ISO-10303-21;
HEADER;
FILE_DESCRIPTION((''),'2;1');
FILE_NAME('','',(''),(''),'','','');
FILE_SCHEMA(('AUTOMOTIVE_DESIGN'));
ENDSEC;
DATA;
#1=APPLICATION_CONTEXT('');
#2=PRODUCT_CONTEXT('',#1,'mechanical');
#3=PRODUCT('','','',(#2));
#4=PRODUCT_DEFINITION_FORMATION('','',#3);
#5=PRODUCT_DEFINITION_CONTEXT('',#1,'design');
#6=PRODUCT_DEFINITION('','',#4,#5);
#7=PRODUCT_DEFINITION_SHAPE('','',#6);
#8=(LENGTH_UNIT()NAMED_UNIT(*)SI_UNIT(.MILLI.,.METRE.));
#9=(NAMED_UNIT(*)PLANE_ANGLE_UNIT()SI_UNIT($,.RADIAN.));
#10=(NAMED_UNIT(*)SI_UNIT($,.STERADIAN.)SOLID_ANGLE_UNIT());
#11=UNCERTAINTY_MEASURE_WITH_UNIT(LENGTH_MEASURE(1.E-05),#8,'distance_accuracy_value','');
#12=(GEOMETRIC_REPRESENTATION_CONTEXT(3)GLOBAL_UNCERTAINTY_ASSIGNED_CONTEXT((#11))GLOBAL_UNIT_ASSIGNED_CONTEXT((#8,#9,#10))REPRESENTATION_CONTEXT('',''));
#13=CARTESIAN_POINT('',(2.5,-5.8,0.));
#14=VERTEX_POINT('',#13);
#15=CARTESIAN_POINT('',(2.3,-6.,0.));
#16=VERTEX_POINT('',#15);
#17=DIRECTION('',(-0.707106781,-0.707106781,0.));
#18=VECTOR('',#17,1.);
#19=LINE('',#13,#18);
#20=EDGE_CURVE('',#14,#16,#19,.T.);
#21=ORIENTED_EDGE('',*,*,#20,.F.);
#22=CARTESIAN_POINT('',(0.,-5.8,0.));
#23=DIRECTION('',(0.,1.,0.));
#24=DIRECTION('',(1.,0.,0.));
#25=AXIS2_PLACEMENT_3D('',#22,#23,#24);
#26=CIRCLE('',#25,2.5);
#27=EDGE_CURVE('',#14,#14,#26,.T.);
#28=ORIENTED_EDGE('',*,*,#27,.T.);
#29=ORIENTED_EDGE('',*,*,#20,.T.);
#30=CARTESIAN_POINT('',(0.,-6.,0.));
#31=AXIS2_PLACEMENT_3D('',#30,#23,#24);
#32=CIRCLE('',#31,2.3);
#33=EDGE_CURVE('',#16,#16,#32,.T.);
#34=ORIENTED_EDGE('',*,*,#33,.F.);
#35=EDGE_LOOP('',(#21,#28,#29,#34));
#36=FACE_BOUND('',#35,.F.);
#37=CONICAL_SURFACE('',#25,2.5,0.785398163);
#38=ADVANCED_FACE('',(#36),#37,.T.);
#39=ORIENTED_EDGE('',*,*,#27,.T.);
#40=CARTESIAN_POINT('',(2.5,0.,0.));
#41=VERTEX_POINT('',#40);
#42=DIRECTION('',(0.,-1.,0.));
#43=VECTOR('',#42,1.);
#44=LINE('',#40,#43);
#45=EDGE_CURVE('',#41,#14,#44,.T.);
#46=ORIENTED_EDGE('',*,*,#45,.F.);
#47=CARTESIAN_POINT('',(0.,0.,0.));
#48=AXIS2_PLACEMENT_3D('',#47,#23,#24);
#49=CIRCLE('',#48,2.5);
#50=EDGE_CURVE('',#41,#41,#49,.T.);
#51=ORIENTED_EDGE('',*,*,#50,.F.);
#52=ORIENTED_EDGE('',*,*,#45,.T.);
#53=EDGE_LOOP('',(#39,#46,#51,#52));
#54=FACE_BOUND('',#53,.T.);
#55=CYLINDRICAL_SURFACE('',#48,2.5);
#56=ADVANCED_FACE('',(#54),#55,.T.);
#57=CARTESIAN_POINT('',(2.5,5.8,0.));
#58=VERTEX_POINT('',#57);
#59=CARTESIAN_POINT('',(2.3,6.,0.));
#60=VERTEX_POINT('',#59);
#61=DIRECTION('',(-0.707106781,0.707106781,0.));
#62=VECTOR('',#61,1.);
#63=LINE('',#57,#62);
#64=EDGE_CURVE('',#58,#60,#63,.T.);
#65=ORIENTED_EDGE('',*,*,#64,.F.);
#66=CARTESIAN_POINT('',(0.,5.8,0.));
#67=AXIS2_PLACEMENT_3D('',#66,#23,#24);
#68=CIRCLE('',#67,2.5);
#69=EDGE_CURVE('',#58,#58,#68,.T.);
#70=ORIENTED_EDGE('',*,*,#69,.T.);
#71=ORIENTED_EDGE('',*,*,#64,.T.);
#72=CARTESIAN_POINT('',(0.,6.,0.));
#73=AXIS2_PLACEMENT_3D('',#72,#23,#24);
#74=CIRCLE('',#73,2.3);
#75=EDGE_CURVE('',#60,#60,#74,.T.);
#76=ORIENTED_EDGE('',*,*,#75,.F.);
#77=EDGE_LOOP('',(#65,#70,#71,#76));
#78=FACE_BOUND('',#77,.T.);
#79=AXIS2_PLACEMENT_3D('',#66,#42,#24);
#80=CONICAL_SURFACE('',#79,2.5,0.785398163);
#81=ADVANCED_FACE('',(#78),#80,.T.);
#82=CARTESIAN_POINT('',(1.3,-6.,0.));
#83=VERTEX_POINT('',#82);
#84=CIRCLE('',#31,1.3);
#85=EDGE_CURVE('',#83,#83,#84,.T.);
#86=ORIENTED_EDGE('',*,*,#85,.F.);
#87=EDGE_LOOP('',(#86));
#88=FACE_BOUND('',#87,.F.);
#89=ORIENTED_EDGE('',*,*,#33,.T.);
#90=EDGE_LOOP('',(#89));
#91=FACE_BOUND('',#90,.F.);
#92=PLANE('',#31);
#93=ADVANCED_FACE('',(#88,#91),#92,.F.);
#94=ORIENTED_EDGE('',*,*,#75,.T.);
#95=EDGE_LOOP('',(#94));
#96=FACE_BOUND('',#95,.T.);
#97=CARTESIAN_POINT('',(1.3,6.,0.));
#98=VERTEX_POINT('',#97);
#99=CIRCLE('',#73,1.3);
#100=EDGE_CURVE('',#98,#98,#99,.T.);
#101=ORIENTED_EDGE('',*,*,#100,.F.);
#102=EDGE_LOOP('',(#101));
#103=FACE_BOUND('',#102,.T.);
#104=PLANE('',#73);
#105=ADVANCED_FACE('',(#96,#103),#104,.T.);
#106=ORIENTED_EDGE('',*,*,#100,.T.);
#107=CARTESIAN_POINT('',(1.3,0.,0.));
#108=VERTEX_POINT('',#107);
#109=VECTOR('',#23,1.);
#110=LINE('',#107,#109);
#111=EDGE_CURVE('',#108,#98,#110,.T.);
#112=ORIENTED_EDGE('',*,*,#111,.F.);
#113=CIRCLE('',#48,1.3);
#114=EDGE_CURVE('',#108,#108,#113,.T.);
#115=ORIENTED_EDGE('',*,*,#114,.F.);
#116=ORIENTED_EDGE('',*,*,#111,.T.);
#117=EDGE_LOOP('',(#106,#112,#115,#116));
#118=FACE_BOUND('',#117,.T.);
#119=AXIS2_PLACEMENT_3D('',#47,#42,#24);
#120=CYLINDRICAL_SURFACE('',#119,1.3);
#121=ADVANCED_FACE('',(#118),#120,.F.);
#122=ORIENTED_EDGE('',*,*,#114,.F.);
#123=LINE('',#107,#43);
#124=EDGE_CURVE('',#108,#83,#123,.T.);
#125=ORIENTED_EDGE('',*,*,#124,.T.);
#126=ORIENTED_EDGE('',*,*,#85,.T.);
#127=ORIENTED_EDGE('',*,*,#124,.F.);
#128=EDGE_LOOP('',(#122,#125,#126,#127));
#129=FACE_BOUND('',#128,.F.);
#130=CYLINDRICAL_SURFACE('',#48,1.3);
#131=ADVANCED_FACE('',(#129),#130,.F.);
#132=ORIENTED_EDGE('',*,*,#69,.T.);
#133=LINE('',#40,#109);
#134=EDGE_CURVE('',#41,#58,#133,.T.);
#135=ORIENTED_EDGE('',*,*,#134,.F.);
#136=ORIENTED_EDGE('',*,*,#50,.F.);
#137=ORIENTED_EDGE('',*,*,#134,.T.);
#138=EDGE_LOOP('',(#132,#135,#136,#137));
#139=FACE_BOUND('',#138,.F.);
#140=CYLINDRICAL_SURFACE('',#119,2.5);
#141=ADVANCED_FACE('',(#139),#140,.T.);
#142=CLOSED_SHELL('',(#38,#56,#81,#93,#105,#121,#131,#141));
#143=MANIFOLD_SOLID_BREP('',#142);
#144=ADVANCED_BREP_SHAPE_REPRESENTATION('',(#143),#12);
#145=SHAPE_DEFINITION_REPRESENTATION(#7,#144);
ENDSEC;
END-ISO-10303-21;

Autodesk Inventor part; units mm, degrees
ref_plane "YZ Plane" through (0, 0, 0) normal (1, 0, 0) x (0, 1, 0)
ref_plane "XZ Plane" through (0, 0, 0) normal (0, 1, 0) x (-1, 0, 0)
ref_plane "XY Plane" through (0, 0, 0) normal (0, 0, 1) x (1, 0, 0)
sketch "スケッチ1" plane through (0, 0, 0) normal (0, 1, 0) x (1, 0, 0)
  circle A0 centre (0, 0) radius 2.5
  circle A1 centre (0, 0) radius 1.3
  dimension "d0" = 5
  dimension "d1" = 2.6
extrude "押し出し1" add sketch "スケッチ1" along normal mid plane 12
chamfer "面取り1" distance 0.2 angle 45 2 edges at (-2.5, 6, 0) (-2.5, -6, 0)
properties part number "ARL-2612E"
